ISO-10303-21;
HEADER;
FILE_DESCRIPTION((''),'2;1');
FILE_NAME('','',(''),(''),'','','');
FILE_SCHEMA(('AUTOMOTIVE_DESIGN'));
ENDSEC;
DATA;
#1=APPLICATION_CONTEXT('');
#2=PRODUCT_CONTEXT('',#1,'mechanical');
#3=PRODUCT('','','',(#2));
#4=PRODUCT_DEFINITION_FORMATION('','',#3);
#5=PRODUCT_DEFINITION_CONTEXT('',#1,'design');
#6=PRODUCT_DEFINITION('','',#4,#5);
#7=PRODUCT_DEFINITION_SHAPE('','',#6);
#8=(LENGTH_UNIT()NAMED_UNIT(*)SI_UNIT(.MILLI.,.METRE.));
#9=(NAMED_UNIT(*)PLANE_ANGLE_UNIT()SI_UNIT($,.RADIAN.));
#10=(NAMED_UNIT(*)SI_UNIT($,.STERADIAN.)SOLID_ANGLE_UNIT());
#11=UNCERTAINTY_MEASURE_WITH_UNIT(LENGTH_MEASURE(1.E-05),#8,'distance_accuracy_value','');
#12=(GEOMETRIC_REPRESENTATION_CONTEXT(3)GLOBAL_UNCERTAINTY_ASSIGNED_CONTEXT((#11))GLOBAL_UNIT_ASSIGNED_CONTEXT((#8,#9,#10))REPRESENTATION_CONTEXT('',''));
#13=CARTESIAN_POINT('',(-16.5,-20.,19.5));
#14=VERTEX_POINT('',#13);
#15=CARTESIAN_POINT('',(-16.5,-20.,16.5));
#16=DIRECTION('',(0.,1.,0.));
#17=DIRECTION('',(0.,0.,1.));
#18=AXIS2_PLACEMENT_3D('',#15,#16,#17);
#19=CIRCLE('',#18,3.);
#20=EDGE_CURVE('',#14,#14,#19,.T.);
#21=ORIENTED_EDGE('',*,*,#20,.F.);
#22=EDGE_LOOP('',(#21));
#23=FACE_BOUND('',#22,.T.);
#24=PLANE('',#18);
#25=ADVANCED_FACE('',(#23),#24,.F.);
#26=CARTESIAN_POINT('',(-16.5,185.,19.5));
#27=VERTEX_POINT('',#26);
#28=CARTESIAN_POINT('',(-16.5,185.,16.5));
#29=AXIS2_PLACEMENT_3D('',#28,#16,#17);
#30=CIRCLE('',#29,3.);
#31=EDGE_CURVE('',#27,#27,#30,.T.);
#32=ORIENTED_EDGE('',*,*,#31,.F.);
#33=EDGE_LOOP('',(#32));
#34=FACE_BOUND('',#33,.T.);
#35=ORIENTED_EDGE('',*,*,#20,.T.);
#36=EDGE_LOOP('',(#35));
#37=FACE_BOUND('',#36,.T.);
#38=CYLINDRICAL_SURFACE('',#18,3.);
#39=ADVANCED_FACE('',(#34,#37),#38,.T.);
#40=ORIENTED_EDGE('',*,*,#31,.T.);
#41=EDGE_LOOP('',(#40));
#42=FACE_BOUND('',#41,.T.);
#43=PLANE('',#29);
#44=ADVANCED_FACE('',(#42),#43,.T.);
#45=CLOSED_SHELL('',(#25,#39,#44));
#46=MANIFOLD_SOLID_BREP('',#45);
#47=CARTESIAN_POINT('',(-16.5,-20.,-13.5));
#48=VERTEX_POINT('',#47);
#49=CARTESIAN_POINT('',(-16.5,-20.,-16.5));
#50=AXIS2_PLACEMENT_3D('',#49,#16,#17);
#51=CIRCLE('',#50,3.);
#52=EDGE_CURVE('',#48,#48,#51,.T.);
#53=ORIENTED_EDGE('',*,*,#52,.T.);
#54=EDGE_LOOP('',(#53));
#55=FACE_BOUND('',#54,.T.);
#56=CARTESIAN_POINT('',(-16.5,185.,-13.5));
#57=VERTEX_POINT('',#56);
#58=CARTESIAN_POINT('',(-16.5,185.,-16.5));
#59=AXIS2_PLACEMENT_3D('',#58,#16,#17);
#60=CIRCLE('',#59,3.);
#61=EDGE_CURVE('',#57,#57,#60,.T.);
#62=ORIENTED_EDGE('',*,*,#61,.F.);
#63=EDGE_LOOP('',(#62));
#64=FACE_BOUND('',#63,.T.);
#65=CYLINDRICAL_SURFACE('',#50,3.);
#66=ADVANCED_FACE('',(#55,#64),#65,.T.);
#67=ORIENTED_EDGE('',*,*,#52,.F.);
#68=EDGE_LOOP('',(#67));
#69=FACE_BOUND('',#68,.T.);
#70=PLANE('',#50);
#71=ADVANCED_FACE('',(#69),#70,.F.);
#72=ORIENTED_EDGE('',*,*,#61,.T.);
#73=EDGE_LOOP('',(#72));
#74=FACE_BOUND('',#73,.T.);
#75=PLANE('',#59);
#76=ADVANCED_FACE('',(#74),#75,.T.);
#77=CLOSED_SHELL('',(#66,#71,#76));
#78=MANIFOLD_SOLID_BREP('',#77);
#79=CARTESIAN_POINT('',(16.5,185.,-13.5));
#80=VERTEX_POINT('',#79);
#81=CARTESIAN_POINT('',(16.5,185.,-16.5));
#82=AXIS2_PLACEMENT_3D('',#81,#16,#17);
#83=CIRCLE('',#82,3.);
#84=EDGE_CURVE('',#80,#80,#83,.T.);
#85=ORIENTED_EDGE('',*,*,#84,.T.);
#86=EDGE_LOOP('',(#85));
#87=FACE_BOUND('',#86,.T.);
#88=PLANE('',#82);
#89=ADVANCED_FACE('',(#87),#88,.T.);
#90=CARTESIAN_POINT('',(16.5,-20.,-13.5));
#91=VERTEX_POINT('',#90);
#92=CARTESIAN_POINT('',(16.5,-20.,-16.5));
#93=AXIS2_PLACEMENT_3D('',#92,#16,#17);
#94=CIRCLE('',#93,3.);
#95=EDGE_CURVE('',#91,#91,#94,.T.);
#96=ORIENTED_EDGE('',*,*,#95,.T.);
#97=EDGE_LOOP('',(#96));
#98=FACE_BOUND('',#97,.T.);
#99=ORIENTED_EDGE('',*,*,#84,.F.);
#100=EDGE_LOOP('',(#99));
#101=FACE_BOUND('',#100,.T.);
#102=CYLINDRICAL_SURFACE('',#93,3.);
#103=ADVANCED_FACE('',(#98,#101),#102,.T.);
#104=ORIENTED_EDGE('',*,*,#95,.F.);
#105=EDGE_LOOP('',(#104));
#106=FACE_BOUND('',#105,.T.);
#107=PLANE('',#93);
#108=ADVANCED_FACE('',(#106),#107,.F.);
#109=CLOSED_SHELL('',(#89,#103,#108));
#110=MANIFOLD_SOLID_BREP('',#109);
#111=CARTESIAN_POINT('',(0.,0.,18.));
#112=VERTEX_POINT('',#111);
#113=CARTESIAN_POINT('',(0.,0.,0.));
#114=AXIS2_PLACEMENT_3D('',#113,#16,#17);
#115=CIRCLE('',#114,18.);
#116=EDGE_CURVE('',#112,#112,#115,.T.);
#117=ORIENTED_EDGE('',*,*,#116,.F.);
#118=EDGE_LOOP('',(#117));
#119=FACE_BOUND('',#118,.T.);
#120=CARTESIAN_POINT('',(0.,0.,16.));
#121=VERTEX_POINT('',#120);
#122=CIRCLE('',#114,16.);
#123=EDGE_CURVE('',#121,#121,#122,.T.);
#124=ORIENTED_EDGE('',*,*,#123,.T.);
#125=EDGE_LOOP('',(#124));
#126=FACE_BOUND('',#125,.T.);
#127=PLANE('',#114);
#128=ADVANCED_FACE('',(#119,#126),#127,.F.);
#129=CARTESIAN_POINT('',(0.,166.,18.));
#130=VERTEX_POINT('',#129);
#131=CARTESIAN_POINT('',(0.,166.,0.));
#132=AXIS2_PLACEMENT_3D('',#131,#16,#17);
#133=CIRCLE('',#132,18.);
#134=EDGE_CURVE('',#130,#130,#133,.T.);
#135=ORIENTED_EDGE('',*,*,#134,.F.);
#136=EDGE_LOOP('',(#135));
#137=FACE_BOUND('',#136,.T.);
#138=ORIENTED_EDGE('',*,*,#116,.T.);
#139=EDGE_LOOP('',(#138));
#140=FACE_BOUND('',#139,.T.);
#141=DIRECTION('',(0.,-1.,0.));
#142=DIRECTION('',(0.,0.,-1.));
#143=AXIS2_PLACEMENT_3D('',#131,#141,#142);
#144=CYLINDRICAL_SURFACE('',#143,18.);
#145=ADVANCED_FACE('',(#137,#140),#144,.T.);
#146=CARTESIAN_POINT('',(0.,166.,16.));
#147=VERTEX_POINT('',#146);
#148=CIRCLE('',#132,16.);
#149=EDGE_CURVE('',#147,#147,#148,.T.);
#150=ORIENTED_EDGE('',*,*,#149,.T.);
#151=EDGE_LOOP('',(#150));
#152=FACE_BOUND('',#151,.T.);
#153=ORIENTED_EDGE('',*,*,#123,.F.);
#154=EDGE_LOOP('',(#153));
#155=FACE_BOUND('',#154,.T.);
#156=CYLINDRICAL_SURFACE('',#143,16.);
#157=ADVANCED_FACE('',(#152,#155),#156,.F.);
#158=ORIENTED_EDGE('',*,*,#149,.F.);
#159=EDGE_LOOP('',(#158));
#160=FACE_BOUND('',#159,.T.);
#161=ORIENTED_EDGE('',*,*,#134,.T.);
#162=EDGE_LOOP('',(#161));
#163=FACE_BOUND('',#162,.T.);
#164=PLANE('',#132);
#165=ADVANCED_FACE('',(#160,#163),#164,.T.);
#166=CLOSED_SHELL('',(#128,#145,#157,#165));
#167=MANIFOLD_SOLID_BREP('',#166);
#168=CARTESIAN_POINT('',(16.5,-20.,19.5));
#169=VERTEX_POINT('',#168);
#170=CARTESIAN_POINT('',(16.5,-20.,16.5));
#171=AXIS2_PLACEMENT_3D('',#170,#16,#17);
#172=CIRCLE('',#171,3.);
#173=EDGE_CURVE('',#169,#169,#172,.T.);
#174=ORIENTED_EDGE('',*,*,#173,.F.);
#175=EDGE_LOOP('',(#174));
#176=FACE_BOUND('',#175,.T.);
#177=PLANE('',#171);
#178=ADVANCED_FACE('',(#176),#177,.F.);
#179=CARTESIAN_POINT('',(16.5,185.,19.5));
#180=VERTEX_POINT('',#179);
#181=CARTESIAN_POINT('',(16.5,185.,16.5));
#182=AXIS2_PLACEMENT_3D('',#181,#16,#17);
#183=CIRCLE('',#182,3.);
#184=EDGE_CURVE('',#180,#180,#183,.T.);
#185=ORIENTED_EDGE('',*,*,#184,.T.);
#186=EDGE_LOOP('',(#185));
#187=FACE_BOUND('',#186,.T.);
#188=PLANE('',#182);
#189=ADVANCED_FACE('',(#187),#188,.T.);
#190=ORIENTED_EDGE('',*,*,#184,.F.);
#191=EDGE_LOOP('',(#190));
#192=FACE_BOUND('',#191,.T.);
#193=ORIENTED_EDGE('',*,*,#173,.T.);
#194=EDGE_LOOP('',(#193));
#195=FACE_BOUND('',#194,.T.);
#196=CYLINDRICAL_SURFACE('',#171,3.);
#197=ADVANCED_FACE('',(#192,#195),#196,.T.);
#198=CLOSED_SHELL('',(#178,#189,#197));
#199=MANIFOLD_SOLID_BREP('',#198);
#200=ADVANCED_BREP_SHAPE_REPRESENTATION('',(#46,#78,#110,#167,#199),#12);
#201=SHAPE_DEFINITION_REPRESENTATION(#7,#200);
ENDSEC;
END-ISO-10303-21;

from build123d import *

# Parameters (mm, degrees)
SKETCH1_R                  = 18
SKETCH1_R_2                = 16
BOSS_EXTRUDE1_DEPTH        = 166
BOSS_EXTRUDE2_DEPTH        = 185
BOSS_EXTRUDE2_DEPTH_BACK   = 20
SKETCH2_R                  = 3
BOSS_EXTRUDE2_2_DEPTH      = 185
BOSS_EXTRUDE2_2_DEPTH_BACK = 20
BOSS_EXTRUDE2_3_DEPTH      = 185
BOSS_EXTRUDE2_3_DEPTH_BACK = 20
BOSS_EXTRUDE2_4_DEPTH      = 185
BOSS_EXTRUDE2_4_DEPTH_BACK = 20


with BuildPart() as part:
    # Sketch1 → Boss-Extrude1 (new body)
    with BuildSketch(Plane(origin=(0, 0, 0), x_dir=(1, 0, 0), z_dir=(0, 1, 0))):
        with Locations(Location((0, 0, 0), (0, 0, 270))):
            Circle(SKETCH1_R)
        with Locations(Location((0, 0, 0), (0, 0, 270))):
            Circle(SKETCH1_R_2, mode=Mode.SUBTRACT)
    extrude(amount=BOSS_EXTRUDE1_DEPTH)


with BuildPart() as body_2:
    # Sketch2 → Boss-Extrude2 (new, two sides: drawn at the far end of the back side and taken through both)
    with BuildSketch(Plane(origin=(0, 0, 0), x_dir=(1, 0, 0), z_dir=(0, 1, 0)).offset(-BOSS_EXTRUDE2_DEPTH_BACK)):
        with Locations(Location((-16.5, 16.5, 0), (0, 0, 270))):
            Circle(SKETCH2_R)
    extrude(amount=BOSS_EXTRUDE2_DEPTH + BOSS_EXTRUDE2_DEPTH_BACK)


with BuildPart() as body_3:
    # Sketch2 → Boss-Extrude2 2 (new, two sides: drawn at the far end of the back side and taken through both)
    with BuildSketch(Plane(origin=(0, 0, 0), x_dir=(1, 0, 0), z_dir=(0, 1, 0)).offset(-BOSS_EXTRUDE2_2_DEPTH_BACK)):
        with Locations(Location((16.5, 16.5, 0), (0, 0, 270))):
            Circle(SKETCH2_R)
    extrude(amount=BOSS_EXTRUDE2_2_DEPTH + BOSS_EXTRUDE2_2_DEPTH_BACK)


with BuildPart() as body_4:
    # Sketch2 → Boss-Extrude2 3 (new, two sides: drawn at the far end of the back side and taken through both)
    with BuildSketch(Plane(origin=(0, 0, 0), x_dir=(1, 0, 0), z_dir=(0, 1, 0)).offset(-BOSS_EXTRUDE2_3_DEPTH_BACK)):
        with Locations(Location((16.5, -16.5, 0), (0, 0, 270))):
            Circle(SKETCH2_R)
    extrude(amount=BOSS_EXTRUDE2_3_DEPTH + BOSS_EXTRUDE2_3_DEPTH_BACK)


with BuildPart() as body_5:
    # Sketch2 → Boss-Extrude2 4 (new, two sides: drawn at the far end of the back side and taken through both)
    with BuildSketch(Plane(origin=(0, 0, 0), x_dir=(1, 0, 0), z_dir=(0, 1, 0)).offset(-BOSS_EXTRUDE2_4_DEPTH_BACK)):
        with Locations(Location((-16.5, -16.5, 0), (0, 0, 270))):
            Circle(SKETCH2_R)
    extrude(amount=BOSS_EXTRUDE2_4_DEPTH + BOSS_EXTRUDE2_4_DEPTH_BACK)


solid = Compound([part.part, body_2.part, body_3.part, body_4.part, body_5.part])
